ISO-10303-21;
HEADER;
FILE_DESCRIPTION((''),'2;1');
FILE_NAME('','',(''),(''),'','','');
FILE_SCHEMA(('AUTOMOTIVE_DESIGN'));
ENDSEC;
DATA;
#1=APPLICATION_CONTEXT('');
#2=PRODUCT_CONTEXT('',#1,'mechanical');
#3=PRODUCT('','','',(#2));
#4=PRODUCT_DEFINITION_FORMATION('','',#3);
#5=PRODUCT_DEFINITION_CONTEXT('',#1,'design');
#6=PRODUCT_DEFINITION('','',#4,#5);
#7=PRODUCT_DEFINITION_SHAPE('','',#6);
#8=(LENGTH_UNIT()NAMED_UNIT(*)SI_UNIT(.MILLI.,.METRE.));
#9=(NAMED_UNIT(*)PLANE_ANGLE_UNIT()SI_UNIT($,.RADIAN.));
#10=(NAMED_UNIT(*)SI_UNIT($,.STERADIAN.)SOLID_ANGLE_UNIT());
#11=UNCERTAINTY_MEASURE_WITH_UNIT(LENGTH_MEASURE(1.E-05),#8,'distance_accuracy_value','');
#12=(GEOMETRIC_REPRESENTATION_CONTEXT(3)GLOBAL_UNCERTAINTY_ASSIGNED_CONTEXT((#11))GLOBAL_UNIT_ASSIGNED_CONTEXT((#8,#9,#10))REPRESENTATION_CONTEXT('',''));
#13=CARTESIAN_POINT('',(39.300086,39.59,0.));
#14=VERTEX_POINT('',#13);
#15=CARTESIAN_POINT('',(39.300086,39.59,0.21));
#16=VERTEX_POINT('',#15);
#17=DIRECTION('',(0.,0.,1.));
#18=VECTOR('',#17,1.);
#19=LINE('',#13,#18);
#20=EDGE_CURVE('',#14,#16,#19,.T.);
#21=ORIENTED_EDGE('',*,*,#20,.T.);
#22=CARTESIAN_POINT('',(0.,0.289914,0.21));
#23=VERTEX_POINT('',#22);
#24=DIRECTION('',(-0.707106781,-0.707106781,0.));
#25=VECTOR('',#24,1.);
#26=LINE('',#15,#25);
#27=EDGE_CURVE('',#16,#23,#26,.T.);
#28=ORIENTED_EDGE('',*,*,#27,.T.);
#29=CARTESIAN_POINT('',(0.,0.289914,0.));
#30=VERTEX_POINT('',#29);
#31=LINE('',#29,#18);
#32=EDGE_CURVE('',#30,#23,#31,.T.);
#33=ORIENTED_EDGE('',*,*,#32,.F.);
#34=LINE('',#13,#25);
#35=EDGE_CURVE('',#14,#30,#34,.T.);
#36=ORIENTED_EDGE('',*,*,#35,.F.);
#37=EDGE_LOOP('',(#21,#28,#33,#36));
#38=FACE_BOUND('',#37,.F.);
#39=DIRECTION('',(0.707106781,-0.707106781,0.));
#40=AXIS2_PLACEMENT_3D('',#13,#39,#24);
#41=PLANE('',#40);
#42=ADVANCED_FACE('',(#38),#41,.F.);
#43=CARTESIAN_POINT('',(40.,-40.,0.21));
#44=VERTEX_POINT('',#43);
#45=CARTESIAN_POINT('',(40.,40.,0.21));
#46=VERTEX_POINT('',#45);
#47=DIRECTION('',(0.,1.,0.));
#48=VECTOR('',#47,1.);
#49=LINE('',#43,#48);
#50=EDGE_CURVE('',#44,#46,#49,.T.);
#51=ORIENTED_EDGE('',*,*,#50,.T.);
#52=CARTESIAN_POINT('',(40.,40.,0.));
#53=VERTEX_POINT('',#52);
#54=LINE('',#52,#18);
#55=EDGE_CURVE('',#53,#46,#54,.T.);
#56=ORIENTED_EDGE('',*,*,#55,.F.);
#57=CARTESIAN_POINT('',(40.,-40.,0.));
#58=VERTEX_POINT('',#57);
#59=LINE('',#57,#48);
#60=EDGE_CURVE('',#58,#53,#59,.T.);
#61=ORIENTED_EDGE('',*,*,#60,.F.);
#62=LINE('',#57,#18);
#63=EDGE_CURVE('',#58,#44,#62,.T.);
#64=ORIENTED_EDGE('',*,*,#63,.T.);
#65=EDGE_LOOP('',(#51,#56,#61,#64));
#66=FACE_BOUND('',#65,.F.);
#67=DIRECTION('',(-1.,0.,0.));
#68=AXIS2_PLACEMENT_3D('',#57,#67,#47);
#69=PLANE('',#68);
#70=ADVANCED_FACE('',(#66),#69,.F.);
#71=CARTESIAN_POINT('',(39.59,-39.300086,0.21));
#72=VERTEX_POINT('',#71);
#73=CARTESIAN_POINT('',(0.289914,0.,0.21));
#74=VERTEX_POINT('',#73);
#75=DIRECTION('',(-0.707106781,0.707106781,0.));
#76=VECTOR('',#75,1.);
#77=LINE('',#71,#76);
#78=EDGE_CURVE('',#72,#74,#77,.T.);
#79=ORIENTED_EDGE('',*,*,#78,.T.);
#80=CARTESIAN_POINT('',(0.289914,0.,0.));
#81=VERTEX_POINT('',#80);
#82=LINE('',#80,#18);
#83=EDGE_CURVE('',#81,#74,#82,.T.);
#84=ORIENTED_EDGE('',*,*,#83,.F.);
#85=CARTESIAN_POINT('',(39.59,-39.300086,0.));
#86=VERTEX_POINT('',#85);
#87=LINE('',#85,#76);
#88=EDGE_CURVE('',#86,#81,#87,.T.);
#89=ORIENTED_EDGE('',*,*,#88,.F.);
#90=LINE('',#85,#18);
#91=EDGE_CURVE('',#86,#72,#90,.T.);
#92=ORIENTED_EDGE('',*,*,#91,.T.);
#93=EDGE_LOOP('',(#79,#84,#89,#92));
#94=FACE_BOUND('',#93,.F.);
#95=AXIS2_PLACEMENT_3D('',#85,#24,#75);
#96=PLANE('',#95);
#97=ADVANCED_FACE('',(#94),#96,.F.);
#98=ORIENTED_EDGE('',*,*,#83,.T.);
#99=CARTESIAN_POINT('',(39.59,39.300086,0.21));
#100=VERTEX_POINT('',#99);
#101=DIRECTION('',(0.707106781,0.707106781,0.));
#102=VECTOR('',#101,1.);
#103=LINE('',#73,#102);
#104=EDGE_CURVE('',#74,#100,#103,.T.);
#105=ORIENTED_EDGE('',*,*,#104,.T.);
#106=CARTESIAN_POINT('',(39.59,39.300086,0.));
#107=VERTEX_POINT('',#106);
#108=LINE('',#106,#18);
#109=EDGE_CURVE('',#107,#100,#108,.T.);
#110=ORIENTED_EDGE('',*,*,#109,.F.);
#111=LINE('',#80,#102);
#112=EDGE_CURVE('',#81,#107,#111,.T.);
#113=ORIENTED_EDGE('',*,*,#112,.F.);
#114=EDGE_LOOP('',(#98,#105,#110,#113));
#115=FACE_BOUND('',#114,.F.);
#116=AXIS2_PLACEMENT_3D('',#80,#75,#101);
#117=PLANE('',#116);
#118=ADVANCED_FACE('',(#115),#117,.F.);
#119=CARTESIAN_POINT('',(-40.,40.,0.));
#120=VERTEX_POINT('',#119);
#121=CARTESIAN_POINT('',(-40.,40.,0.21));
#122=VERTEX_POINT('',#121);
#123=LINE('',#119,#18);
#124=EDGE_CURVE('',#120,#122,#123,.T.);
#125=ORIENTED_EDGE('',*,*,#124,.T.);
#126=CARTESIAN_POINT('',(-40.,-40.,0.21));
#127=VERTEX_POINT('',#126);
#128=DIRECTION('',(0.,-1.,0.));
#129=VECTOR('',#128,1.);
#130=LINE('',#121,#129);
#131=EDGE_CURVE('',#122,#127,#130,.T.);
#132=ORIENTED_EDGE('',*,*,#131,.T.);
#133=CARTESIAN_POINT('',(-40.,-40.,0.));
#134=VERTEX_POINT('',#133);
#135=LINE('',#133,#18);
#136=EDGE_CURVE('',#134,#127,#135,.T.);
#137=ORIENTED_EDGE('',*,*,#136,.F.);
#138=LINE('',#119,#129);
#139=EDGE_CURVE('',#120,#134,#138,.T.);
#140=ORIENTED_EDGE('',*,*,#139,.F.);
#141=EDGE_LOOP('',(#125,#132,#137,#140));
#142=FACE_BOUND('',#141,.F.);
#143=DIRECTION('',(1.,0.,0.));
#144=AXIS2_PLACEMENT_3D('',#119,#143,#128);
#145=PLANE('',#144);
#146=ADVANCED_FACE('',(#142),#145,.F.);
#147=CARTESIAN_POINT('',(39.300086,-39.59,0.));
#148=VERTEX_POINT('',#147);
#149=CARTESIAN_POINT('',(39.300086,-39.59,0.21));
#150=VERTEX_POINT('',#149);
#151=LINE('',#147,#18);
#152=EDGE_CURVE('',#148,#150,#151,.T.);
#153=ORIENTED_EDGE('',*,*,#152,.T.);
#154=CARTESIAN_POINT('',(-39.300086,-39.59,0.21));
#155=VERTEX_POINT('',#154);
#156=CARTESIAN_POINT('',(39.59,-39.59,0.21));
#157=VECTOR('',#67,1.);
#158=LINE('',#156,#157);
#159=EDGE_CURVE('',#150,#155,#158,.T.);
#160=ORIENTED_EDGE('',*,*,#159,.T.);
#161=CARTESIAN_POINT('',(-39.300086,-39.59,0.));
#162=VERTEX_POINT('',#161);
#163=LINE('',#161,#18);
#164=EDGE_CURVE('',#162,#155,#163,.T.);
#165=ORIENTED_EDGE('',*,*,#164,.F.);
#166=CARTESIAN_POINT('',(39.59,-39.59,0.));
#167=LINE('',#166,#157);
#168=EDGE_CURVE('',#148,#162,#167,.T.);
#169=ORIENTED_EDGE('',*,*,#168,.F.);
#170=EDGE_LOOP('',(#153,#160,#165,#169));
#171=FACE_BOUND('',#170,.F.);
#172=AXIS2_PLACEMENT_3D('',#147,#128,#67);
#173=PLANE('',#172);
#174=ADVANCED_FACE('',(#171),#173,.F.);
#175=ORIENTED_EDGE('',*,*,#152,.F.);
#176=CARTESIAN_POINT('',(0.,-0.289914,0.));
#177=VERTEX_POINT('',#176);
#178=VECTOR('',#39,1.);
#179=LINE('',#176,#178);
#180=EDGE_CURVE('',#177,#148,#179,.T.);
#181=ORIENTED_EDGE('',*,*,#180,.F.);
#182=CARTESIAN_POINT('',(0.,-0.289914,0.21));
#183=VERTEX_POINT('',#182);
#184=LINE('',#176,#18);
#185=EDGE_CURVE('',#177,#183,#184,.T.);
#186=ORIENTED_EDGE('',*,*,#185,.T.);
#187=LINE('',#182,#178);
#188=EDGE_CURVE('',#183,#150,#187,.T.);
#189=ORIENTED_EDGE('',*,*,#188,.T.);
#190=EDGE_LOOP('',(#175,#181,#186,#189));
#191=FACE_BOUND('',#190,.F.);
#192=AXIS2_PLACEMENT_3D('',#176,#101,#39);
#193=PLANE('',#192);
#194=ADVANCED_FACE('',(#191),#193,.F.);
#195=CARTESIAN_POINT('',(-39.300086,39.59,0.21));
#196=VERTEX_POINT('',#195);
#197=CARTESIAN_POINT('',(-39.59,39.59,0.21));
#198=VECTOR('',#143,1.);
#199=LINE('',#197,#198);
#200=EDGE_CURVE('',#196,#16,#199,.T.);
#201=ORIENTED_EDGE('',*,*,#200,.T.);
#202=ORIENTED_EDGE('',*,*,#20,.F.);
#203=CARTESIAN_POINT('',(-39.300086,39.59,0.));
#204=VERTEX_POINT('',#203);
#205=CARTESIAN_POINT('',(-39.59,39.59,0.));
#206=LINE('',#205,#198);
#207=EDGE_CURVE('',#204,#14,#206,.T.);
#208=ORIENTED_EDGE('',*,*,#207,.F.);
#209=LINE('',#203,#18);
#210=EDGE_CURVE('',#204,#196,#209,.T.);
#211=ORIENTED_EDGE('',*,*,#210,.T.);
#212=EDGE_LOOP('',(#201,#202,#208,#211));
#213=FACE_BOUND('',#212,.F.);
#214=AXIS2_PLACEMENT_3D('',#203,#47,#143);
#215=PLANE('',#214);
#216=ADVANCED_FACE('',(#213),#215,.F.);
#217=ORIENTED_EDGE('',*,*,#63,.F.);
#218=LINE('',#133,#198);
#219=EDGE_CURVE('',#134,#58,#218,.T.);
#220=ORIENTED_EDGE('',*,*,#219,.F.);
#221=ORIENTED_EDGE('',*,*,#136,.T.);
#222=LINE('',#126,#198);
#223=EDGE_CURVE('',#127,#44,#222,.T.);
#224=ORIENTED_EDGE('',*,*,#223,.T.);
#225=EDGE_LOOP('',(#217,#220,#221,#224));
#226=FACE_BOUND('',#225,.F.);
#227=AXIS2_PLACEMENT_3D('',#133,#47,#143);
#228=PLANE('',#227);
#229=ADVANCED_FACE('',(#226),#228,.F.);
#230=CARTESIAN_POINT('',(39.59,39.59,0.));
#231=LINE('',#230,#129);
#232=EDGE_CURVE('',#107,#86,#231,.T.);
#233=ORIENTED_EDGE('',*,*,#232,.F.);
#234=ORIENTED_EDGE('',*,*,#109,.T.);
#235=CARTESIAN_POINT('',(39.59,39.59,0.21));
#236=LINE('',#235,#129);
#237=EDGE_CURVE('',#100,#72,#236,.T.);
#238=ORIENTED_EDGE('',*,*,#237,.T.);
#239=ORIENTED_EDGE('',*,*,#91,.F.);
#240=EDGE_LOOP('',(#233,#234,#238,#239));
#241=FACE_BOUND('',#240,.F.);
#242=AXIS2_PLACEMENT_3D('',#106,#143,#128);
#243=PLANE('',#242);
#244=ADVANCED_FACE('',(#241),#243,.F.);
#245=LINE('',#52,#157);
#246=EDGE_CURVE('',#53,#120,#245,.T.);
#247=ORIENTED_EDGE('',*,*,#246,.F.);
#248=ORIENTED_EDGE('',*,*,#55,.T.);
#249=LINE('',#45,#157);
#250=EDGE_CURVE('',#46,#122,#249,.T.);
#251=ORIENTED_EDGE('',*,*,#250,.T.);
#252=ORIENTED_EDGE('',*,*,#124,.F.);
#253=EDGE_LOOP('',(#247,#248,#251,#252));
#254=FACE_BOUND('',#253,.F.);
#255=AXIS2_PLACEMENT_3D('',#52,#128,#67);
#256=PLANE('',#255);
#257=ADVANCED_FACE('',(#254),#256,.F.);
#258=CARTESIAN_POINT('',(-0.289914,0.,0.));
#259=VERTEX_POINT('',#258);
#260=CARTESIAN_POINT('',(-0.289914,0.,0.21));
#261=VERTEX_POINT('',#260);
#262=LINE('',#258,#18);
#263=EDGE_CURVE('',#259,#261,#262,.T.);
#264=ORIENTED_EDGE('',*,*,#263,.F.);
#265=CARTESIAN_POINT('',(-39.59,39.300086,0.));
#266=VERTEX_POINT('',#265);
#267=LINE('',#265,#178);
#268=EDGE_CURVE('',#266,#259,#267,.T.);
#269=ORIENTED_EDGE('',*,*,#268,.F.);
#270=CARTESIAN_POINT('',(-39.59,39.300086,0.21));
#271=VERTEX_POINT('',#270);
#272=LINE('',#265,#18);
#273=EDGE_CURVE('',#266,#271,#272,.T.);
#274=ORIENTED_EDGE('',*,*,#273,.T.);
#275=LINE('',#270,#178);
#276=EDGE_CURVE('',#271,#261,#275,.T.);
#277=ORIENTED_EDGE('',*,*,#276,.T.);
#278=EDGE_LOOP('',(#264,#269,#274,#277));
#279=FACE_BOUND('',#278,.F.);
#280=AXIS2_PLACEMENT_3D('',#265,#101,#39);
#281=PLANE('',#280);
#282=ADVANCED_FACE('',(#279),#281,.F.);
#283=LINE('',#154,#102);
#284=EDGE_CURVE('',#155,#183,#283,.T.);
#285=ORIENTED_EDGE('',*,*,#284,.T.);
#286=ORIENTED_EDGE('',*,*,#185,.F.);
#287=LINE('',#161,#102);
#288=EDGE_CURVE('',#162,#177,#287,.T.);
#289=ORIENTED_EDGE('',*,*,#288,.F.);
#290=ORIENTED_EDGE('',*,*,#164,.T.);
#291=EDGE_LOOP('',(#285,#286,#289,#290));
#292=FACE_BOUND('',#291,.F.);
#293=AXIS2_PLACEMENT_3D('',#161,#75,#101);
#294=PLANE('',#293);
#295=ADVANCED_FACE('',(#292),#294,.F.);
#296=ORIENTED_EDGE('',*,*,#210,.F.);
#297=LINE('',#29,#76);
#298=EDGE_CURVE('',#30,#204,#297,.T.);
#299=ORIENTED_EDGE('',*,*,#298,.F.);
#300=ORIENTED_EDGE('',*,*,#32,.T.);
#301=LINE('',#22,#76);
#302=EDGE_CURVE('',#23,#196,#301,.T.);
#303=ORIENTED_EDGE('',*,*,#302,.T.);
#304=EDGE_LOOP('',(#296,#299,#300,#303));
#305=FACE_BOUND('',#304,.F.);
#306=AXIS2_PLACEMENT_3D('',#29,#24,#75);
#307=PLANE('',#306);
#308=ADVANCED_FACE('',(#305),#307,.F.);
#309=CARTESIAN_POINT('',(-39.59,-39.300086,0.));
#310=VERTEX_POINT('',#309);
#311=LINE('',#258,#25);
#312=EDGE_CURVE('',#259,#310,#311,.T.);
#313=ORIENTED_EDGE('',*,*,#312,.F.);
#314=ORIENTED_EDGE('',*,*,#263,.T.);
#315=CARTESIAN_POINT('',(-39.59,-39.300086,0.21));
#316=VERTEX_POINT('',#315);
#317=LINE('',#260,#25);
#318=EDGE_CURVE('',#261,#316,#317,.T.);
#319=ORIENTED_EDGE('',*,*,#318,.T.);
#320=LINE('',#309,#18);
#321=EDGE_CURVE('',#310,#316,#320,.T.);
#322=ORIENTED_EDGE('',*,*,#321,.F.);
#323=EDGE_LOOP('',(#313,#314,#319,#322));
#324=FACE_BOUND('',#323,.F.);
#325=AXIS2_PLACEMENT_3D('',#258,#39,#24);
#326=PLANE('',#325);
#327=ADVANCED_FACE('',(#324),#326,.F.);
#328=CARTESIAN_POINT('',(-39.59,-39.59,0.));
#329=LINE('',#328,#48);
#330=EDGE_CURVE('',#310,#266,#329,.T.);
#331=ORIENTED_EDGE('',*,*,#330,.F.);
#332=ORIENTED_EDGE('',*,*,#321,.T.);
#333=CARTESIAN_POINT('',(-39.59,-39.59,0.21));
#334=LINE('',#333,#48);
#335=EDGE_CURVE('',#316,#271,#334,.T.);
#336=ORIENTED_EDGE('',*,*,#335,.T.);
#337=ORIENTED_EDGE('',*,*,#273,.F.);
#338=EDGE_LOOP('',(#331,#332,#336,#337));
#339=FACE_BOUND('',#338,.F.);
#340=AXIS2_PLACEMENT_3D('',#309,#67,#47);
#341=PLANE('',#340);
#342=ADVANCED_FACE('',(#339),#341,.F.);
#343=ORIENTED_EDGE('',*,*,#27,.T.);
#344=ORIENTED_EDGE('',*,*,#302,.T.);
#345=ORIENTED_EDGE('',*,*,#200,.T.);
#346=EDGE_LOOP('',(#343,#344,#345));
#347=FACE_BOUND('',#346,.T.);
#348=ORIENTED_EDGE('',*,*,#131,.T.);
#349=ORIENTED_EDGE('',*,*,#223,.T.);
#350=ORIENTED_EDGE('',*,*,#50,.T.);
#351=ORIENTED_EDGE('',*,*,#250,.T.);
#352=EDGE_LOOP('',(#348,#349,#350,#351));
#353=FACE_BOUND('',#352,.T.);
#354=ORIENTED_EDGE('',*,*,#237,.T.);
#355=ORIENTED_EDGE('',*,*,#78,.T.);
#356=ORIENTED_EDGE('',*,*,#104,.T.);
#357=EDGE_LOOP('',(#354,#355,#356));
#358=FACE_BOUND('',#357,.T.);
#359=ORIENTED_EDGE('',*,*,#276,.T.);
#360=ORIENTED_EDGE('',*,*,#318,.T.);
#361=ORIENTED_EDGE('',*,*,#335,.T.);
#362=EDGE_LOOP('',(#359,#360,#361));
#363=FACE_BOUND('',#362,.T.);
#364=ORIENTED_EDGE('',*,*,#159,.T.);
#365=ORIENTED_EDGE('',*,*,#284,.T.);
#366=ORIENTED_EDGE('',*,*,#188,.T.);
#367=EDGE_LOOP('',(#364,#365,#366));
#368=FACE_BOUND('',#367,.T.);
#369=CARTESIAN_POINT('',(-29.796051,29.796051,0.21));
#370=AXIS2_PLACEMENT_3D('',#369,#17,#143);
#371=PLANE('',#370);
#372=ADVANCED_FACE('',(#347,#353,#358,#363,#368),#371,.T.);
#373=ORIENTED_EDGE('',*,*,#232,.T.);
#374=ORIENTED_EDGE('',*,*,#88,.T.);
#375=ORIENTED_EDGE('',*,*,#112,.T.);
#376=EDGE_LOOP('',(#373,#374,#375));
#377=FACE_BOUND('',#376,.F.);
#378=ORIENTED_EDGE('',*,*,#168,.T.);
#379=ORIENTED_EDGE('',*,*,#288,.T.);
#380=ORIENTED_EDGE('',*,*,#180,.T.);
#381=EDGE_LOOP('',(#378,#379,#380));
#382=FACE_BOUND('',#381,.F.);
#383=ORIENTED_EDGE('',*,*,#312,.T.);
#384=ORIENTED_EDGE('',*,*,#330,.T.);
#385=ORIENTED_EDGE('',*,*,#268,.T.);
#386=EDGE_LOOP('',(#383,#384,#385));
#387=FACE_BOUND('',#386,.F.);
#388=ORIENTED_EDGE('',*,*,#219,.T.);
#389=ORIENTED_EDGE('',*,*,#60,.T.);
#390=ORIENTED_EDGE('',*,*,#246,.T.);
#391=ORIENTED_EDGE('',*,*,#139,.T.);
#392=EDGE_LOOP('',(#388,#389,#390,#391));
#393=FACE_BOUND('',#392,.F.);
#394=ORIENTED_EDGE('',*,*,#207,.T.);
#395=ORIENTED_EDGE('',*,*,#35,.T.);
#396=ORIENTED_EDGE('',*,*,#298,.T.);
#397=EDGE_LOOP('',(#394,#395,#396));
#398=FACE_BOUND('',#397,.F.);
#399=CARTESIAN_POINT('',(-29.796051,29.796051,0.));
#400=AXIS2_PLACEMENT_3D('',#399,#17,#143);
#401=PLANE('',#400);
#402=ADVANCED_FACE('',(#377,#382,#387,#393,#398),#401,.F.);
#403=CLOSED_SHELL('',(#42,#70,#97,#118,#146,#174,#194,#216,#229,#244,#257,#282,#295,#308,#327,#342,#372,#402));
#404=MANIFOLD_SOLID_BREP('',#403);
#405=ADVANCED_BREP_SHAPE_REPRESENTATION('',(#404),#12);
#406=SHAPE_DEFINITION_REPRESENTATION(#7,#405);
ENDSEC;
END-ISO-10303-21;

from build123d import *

# Parameters (mm, degrees)
F2_DEPTH = 0.21


with BuildPart() as f2:
    # F1 (on Top) → F2 (new body)
    with BuildSketch(Plane.XY):
        Polygon((-40, 40), (-40, 0), (-39.59, 0), (-39.59, 39.3000862197), (-39.59, 39.59), (-39.3000862197, 39.59), (0, 39.59), (0, 40), align=None)
        Polygon((-40, -40), (40, -40), (40, 40), (0, 40), (0, 39.59), (39.3000862197, 39.59), (39.59, 39.59), (39.59, 39.3000862197), (39.59, -39.3000862197), (39.59, -39.59), (39.3000862197, -39.59), (-39.3000862197, -39.59), (-39.59, -39.59), (-39.59, -39.3000862197), (-39.59, 0), (-40, 0), align=None)
        Polygon((-39.59, 39.59), (-39.59, 39.3000862197), (-0.2899137803, 0), (-0.1449568901, 0.1449568901), align=None)
        Polygon((0, 0.2899137803), (-39.3000862197, 39.59), (-39.59, 39.59), (-0.1449568901, 0.1449568901), align=None)
        Polygon((39.59, 39.59), (39.3000862197, 39.59), (0, 0.2899137803), (0.1449568901, 0.1449568901), align=None)
        Polygon((39.59, 39.3000862197), (39.59, 39.59), (0.1449568901, 0.1449568901), (0.2899137803, 0), align=None)
        Polygon((0.2899137803, 0), (0.1449568901, 0.1449568901), (0, 0), (0.1449568901, -0.1449568901), align=None)
        Polygon((0.1449568901, 0.1449568901), (0, 0.2899137803), (-0.1449568901, 0.1449568901), (0, 0), align=None)
        Polygon((-0.1449568901, 0.1449568901), (-0.2899137803, 0), (-0.1449568901, -0.1449568901), (0, 0), align=None)
        Polygon((0, 0), (-0.1449568901, -0.1449568901), (0, -0.2899137803), (0.1449568901, -0.1449568901), align=None)
        Polygon((0, -0.2899137803), (39.3000862197, -39.59), (39.59, -39.59), (0.1449568901, -0.1449568901), align=None)
        Polygon((39.59, -39.59), (39.59, -39.3000862197), (0.2899137803, 0), (0.1449568901, -0.1449568901), align=None)
        Polygon((-0.1449568901, -0.1449568901), (-39.59, -39.59), (-39.3000862197, -39.59), (0, -0.2899137803), align=None)
        Polygon((-0.2899137803, 0), (-39.59, -39.3000862197), (-39.59, -39.59), (-0.1449568901, -0.1449568901), align=None)
    extrude(amount=F2_DEPTH)


solid = f2.part
